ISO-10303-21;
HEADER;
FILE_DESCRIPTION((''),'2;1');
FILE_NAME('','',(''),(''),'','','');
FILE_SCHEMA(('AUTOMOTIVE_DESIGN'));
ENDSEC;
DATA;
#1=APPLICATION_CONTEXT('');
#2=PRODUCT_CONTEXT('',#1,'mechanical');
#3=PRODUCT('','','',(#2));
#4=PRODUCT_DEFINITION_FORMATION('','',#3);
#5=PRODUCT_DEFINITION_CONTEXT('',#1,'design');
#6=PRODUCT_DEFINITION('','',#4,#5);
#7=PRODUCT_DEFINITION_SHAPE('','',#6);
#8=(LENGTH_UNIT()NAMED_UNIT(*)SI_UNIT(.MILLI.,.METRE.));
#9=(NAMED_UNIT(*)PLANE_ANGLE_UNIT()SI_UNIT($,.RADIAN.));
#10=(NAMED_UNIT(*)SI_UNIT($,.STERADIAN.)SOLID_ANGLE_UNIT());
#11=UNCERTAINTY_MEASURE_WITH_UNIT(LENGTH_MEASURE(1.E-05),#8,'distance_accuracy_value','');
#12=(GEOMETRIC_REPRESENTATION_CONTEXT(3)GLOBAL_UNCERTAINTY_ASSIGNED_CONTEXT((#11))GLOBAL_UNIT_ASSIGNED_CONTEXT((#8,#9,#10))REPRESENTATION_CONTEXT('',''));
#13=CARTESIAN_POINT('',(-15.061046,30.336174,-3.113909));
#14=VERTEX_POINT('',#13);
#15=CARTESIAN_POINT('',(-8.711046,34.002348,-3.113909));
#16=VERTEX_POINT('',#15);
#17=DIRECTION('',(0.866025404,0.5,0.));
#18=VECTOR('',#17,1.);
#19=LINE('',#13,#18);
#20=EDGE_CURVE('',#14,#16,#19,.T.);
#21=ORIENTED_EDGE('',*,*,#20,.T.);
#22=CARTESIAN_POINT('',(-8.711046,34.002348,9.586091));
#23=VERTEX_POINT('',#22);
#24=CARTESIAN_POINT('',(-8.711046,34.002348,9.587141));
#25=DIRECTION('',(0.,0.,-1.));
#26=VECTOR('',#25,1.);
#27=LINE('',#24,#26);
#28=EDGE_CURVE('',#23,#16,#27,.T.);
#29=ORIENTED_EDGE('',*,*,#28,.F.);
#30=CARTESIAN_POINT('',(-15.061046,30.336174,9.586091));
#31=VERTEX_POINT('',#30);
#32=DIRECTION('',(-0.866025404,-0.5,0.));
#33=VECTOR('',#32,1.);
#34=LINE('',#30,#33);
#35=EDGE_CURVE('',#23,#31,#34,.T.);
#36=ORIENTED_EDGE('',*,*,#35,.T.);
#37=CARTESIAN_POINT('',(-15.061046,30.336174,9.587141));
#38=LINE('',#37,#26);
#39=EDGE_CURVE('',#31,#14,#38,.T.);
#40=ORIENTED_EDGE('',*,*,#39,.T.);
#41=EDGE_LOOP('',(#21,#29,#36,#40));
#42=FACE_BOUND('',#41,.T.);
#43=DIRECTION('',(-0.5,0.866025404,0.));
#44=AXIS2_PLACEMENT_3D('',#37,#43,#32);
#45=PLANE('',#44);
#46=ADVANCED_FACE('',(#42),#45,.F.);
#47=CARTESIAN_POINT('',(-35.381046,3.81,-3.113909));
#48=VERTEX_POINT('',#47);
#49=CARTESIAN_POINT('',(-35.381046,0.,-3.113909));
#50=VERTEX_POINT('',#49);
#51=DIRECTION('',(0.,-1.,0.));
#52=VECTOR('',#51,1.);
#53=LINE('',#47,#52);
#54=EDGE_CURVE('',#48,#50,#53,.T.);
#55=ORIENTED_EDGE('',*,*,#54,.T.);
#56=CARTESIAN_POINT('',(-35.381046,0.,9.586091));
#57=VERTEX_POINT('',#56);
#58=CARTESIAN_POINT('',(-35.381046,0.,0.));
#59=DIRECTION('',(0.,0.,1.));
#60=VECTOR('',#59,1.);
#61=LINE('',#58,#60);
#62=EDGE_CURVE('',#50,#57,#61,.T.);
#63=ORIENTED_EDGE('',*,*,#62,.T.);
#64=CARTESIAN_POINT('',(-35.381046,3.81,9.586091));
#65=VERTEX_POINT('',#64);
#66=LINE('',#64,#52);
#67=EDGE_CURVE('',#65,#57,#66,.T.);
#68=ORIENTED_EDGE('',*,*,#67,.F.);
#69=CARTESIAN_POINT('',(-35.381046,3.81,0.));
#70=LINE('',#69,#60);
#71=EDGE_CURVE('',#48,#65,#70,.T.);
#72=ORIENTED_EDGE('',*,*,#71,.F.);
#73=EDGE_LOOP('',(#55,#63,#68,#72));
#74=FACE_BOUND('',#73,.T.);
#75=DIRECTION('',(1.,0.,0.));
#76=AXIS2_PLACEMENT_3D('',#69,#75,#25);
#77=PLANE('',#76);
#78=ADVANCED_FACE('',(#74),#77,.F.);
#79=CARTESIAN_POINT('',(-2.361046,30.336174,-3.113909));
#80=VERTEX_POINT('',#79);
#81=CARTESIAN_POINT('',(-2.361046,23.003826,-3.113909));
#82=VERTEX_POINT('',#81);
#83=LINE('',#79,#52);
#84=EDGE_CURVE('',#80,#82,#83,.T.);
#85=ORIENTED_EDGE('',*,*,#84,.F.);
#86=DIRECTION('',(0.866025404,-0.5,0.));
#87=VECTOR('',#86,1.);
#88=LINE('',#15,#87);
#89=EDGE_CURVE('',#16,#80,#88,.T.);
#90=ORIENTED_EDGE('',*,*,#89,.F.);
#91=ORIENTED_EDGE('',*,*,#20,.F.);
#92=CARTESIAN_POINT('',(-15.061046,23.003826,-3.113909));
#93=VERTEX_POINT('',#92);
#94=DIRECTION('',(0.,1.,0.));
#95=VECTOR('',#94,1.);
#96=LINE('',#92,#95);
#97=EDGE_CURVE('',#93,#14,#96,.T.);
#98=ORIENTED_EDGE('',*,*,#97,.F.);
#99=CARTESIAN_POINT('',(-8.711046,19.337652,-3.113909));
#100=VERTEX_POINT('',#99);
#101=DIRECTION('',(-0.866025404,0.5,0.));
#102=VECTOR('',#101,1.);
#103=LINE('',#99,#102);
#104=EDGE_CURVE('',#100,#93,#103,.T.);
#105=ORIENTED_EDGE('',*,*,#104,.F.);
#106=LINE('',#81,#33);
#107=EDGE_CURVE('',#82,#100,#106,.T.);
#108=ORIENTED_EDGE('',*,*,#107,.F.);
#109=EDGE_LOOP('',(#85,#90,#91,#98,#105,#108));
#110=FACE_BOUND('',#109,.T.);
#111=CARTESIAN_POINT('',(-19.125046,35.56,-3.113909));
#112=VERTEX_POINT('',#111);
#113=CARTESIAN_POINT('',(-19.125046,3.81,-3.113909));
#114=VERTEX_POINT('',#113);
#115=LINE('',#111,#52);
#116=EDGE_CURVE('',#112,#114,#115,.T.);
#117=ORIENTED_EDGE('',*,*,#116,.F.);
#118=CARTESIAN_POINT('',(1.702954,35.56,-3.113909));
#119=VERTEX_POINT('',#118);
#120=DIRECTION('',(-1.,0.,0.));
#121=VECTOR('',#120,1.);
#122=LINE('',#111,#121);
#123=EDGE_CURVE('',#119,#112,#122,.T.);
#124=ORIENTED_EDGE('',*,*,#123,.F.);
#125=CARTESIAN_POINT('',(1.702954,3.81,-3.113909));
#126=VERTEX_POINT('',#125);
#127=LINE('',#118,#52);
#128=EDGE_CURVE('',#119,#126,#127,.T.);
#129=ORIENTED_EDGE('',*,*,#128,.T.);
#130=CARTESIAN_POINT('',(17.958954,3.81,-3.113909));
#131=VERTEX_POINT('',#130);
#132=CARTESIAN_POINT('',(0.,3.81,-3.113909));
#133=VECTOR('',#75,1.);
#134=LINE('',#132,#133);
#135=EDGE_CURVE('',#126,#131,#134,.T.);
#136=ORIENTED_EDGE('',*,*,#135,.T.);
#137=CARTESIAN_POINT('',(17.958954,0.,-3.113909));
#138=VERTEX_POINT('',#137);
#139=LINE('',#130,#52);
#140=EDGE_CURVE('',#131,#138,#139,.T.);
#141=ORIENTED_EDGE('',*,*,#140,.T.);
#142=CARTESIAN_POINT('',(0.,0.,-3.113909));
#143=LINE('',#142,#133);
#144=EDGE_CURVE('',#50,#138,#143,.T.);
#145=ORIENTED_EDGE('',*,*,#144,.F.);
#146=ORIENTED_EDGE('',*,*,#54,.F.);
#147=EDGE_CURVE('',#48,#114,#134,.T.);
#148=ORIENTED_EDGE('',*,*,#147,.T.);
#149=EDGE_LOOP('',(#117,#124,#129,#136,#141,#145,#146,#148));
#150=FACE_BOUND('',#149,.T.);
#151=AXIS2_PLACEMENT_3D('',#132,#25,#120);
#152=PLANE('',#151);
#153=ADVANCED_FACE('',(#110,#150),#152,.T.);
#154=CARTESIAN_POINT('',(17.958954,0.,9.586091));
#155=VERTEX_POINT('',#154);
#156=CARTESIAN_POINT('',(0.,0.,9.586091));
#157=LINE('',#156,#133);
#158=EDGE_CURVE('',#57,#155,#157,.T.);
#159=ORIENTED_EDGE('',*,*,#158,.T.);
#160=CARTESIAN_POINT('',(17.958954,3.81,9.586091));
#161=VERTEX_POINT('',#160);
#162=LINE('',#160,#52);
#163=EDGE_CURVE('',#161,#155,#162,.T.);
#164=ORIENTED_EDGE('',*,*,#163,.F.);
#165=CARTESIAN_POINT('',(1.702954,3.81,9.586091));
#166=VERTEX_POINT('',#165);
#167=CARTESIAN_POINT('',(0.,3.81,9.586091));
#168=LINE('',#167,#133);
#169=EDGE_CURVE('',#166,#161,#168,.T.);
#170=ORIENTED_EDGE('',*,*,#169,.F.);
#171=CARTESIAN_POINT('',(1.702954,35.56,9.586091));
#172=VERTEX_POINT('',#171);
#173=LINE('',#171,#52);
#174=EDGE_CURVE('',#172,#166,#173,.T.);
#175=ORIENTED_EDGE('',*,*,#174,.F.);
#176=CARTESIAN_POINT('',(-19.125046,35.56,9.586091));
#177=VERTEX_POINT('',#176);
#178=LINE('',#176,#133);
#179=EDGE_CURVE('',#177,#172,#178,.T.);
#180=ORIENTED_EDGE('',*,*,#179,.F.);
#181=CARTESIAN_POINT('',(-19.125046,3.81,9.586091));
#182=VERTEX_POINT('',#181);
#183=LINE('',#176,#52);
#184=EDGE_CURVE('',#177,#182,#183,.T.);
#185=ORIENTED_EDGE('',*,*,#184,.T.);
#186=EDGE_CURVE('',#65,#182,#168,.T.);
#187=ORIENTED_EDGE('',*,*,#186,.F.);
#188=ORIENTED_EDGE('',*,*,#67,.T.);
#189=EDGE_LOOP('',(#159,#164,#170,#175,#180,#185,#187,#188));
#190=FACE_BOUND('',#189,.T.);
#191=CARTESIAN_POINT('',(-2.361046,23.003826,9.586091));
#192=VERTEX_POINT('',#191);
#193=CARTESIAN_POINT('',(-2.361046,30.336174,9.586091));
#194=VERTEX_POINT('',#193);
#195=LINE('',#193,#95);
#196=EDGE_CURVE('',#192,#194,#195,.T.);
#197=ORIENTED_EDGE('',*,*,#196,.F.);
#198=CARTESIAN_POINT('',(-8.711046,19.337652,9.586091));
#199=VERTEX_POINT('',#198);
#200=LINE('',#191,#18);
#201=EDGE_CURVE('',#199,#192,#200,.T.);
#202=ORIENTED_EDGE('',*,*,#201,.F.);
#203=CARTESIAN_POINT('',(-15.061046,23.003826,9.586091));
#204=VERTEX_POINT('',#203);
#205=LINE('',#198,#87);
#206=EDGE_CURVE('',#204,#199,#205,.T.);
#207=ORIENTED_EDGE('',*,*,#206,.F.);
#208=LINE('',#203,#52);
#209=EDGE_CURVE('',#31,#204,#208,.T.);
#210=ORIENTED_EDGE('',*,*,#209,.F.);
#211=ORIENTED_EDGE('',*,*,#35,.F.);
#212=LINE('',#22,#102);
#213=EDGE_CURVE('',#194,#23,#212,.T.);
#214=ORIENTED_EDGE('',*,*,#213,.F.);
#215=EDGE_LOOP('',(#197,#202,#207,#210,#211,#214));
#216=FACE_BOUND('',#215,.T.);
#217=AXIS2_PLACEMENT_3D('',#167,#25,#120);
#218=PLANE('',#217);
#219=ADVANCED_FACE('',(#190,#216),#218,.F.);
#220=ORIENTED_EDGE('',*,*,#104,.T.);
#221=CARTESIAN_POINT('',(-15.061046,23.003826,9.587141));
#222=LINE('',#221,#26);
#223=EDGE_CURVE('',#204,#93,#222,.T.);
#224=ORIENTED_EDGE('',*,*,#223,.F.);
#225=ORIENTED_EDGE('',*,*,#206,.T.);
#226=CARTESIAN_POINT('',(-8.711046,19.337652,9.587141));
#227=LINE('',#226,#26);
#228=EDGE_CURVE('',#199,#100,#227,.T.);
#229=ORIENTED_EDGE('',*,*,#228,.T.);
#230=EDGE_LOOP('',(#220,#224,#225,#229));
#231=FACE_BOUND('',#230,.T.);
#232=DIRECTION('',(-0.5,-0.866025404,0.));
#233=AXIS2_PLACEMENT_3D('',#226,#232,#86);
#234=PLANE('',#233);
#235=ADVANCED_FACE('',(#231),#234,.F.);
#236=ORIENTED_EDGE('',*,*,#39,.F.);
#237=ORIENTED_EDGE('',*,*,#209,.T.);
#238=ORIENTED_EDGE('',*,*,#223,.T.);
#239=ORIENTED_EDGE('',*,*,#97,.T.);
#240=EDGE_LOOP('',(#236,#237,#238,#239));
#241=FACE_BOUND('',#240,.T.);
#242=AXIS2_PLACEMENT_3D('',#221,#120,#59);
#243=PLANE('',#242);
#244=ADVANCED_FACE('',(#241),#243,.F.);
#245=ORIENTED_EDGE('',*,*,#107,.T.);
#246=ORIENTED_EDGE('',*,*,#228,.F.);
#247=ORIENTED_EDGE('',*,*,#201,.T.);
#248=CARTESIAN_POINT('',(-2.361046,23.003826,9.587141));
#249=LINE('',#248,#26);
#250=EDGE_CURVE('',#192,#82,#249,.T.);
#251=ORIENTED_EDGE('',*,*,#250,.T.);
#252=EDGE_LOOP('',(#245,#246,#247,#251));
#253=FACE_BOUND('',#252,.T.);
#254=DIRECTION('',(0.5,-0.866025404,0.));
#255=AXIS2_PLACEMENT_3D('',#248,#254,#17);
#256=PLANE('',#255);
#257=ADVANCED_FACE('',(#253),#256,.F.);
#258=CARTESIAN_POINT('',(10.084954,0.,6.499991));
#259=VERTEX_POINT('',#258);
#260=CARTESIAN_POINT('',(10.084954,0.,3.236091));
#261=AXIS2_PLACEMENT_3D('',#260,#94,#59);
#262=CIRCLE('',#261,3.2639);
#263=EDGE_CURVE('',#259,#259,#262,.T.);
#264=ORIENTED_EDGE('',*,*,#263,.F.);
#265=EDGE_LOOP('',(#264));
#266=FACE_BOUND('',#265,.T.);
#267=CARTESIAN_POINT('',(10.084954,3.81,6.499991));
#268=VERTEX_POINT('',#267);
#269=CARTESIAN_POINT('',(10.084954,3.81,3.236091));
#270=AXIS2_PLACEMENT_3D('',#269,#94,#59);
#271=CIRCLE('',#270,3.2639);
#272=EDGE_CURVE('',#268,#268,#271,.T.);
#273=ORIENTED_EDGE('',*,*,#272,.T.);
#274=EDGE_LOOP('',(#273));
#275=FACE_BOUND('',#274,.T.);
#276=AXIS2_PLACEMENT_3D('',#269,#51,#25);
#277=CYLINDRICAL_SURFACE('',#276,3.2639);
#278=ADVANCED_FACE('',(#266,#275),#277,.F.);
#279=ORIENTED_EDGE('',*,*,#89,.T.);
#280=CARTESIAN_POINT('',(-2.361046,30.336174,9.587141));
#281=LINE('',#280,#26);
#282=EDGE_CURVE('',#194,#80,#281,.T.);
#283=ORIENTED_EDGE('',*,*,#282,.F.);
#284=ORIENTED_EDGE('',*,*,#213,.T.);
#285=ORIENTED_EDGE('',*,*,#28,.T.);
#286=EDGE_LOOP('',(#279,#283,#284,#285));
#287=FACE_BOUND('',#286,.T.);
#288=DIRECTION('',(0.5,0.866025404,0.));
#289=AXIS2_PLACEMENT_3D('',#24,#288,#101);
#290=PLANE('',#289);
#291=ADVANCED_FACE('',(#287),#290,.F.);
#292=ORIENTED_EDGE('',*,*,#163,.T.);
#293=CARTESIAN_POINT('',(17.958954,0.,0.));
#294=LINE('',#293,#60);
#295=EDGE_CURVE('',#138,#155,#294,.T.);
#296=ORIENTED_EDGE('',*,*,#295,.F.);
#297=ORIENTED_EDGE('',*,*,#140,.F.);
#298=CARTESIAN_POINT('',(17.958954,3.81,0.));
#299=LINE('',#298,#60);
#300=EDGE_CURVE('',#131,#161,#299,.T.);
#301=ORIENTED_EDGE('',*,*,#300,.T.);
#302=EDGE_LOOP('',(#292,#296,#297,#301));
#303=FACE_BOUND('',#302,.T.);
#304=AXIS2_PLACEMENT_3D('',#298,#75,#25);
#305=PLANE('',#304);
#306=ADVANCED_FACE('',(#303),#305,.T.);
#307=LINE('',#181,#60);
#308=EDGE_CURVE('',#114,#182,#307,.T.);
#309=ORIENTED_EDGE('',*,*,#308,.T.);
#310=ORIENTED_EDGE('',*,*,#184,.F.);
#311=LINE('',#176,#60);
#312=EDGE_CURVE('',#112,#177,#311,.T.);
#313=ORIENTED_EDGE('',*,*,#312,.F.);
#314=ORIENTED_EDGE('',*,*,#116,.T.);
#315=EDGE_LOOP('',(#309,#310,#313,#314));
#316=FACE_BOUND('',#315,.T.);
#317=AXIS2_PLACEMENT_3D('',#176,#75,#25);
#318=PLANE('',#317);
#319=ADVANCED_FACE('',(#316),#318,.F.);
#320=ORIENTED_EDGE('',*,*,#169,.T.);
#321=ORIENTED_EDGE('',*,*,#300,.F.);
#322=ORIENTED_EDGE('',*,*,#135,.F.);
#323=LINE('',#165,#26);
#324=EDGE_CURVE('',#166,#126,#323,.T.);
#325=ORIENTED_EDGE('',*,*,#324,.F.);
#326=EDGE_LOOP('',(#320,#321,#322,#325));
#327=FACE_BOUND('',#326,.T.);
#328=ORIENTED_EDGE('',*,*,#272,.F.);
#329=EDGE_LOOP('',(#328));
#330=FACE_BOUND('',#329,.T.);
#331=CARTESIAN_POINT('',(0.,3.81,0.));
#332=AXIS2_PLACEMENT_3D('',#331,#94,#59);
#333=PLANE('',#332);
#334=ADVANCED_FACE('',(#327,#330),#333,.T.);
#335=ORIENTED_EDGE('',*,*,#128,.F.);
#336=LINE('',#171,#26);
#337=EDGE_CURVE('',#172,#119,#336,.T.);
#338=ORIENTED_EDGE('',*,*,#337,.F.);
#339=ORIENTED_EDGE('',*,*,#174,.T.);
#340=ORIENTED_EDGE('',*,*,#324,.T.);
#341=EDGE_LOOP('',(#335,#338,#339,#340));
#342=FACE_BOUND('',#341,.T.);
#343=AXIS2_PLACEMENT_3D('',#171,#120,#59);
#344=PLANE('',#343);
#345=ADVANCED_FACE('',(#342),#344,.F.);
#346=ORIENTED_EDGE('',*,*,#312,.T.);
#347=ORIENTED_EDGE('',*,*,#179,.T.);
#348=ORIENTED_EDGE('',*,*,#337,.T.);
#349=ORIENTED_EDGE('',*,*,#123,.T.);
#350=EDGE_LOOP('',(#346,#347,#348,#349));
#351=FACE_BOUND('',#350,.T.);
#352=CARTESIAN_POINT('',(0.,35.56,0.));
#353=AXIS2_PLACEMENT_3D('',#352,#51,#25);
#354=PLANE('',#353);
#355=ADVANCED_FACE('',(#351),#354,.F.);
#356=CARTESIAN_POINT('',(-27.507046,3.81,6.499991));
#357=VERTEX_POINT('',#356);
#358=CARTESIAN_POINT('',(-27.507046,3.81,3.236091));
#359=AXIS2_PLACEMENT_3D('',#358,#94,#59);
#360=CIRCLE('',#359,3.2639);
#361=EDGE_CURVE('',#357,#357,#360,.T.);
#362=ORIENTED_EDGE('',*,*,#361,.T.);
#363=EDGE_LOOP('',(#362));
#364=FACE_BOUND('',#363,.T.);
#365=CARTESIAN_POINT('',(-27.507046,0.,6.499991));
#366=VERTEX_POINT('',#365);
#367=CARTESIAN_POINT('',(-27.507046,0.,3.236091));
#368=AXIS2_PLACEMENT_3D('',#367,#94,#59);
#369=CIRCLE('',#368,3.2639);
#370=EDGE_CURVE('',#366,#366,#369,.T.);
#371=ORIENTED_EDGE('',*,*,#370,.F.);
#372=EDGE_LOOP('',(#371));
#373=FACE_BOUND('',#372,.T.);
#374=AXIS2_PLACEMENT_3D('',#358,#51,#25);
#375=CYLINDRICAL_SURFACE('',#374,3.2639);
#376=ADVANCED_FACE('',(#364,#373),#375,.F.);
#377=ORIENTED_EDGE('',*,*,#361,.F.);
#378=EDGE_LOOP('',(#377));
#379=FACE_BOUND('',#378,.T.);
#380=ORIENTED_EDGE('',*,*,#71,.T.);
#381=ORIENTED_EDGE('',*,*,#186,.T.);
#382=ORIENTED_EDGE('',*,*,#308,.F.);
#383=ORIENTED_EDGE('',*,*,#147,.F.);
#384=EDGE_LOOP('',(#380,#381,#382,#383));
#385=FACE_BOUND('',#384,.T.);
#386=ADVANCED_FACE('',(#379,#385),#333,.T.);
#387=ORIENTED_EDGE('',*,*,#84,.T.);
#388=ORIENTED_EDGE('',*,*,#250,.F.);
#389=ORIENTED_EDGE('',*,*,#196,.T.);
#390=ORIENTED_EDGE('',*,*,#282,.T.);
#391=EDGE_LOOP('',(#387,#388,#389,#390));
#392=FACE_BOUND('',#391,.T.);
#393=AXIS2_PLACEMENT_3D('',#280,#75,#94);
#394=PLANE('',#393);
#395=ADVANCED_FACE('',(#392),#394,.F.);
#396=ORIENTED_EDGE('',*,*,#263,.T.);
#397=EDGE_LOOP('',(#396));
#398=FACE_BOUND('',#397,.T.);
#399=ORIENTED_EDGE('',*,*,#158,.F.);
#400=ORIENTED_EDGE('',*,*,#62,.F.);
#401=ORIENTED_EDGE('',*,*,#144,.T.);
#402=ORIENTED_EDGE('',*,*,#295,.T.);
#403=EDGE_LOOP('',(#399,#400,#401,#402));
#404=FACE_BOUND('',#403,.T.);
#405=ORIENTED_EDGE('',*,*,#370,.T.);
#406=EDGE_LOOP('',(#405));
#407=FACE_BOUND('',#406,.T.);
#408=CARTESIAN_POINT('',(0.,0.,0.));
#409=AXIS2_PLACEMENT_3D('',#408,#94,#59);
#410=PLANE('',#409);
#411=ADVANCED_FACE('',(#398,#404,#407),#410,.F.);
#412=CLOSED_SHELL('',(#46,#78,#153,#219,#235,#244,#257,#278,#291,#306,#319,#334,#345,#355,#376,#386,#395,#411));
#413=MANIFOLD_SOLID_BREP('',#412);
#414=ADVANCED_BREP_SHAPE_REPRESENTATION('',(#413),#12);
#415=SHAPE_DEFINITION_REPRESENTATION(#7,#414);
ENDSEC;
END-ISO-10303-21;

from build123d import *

# Parameters (mm, degrees)
SKETCH1_W           = 15.494
SKETCH1_H           = 12.7
SKETCH1_R           = 3.2639
SKETCH1_W_2         = 22.352
BOSS_EXTRUDE3_DEPTH = 3.81
SKETCH3_W           = 20.828
SKETCH3_H           = 12.7
BOSS_EXTRUDE4_DEPTH = 31.75
CUT_EXTRUDE3_REACH  = 14.7


with BuildPart() as part:
    # Sketch1 → Boss-Extrude3 (new body)
    with BuildSketch(Plane(origin=(0, 0, 0), x_dir=(1, 0, 0), z_dir=(0, 1, 0))):
        with Locations((-27.634045528, -3.236090754)):
            Rectangle(SKETCH1_W, SKETCH1_H)
        with Locations((-27.507045528, -3.236090754)):
            Circle(SKETCH1_R, mode=Mode.SUBTRACT)
        with Locations((-8.711045528, -3.236090754)):
            Rectangle(SKETCH1_W_2, SKETCH1_H)
        with Locations((10.211954472, -3.236090754)):
            Rectangle(SKETCH1_W, SKETCH1_H)
        with Locations((10.084954472, -3.236090754)):
            Circle(SKETCH1_R, mode=Mode.SUBTRACT)
    extrude(amount=BOSS_EXTRUDE3_DEPTH)

    # Sketch3 → Boss-Extrude4 (add)
    with BuildSketch(Plane(origin=(0, 3.81, 0), x_dir=(1, 0, 0), z_dir=(0, 1, 0))):
        with Locations((-8.711045528, -3.236090754)):
            Rectangle(SKETCH3_W, SKETCH3_H)
    extrude(amount=BOSS_EXTRUDE4_DEPTH)

    # Sketch5 → Cut-Extrude3 (cut, up to next)
    with BuildSketch(Plane(origin=(0, 0, -3.113909246), x_dir=(-1, 0, 0), z_dir=(0, 0, -1)), mode=Mode.PRIVATE) as cut_extrude3_sk1:
        Polygon((8.711045528, 34.002348419), (2.361045528, 30.336174209), (2.361045528, 23.003825791), (8.711045528, 19.337651581), (15.061045528, 23.003825791), (15.061045528, 30.336174209), align=None)
    cut_extrude3_tool1 = extrude(cut_extrude3_sk1.sketch, amount=-CUT_EXTRUDE3_REACH, mode=Mode.PRIVATE) & part.part
    add(cut_extrude3_tool1.solids().sort_by_distance((-8.711046, 26.67, -3.113909))[0], mode=Mode.SUBTRACT)


solid = part.part
